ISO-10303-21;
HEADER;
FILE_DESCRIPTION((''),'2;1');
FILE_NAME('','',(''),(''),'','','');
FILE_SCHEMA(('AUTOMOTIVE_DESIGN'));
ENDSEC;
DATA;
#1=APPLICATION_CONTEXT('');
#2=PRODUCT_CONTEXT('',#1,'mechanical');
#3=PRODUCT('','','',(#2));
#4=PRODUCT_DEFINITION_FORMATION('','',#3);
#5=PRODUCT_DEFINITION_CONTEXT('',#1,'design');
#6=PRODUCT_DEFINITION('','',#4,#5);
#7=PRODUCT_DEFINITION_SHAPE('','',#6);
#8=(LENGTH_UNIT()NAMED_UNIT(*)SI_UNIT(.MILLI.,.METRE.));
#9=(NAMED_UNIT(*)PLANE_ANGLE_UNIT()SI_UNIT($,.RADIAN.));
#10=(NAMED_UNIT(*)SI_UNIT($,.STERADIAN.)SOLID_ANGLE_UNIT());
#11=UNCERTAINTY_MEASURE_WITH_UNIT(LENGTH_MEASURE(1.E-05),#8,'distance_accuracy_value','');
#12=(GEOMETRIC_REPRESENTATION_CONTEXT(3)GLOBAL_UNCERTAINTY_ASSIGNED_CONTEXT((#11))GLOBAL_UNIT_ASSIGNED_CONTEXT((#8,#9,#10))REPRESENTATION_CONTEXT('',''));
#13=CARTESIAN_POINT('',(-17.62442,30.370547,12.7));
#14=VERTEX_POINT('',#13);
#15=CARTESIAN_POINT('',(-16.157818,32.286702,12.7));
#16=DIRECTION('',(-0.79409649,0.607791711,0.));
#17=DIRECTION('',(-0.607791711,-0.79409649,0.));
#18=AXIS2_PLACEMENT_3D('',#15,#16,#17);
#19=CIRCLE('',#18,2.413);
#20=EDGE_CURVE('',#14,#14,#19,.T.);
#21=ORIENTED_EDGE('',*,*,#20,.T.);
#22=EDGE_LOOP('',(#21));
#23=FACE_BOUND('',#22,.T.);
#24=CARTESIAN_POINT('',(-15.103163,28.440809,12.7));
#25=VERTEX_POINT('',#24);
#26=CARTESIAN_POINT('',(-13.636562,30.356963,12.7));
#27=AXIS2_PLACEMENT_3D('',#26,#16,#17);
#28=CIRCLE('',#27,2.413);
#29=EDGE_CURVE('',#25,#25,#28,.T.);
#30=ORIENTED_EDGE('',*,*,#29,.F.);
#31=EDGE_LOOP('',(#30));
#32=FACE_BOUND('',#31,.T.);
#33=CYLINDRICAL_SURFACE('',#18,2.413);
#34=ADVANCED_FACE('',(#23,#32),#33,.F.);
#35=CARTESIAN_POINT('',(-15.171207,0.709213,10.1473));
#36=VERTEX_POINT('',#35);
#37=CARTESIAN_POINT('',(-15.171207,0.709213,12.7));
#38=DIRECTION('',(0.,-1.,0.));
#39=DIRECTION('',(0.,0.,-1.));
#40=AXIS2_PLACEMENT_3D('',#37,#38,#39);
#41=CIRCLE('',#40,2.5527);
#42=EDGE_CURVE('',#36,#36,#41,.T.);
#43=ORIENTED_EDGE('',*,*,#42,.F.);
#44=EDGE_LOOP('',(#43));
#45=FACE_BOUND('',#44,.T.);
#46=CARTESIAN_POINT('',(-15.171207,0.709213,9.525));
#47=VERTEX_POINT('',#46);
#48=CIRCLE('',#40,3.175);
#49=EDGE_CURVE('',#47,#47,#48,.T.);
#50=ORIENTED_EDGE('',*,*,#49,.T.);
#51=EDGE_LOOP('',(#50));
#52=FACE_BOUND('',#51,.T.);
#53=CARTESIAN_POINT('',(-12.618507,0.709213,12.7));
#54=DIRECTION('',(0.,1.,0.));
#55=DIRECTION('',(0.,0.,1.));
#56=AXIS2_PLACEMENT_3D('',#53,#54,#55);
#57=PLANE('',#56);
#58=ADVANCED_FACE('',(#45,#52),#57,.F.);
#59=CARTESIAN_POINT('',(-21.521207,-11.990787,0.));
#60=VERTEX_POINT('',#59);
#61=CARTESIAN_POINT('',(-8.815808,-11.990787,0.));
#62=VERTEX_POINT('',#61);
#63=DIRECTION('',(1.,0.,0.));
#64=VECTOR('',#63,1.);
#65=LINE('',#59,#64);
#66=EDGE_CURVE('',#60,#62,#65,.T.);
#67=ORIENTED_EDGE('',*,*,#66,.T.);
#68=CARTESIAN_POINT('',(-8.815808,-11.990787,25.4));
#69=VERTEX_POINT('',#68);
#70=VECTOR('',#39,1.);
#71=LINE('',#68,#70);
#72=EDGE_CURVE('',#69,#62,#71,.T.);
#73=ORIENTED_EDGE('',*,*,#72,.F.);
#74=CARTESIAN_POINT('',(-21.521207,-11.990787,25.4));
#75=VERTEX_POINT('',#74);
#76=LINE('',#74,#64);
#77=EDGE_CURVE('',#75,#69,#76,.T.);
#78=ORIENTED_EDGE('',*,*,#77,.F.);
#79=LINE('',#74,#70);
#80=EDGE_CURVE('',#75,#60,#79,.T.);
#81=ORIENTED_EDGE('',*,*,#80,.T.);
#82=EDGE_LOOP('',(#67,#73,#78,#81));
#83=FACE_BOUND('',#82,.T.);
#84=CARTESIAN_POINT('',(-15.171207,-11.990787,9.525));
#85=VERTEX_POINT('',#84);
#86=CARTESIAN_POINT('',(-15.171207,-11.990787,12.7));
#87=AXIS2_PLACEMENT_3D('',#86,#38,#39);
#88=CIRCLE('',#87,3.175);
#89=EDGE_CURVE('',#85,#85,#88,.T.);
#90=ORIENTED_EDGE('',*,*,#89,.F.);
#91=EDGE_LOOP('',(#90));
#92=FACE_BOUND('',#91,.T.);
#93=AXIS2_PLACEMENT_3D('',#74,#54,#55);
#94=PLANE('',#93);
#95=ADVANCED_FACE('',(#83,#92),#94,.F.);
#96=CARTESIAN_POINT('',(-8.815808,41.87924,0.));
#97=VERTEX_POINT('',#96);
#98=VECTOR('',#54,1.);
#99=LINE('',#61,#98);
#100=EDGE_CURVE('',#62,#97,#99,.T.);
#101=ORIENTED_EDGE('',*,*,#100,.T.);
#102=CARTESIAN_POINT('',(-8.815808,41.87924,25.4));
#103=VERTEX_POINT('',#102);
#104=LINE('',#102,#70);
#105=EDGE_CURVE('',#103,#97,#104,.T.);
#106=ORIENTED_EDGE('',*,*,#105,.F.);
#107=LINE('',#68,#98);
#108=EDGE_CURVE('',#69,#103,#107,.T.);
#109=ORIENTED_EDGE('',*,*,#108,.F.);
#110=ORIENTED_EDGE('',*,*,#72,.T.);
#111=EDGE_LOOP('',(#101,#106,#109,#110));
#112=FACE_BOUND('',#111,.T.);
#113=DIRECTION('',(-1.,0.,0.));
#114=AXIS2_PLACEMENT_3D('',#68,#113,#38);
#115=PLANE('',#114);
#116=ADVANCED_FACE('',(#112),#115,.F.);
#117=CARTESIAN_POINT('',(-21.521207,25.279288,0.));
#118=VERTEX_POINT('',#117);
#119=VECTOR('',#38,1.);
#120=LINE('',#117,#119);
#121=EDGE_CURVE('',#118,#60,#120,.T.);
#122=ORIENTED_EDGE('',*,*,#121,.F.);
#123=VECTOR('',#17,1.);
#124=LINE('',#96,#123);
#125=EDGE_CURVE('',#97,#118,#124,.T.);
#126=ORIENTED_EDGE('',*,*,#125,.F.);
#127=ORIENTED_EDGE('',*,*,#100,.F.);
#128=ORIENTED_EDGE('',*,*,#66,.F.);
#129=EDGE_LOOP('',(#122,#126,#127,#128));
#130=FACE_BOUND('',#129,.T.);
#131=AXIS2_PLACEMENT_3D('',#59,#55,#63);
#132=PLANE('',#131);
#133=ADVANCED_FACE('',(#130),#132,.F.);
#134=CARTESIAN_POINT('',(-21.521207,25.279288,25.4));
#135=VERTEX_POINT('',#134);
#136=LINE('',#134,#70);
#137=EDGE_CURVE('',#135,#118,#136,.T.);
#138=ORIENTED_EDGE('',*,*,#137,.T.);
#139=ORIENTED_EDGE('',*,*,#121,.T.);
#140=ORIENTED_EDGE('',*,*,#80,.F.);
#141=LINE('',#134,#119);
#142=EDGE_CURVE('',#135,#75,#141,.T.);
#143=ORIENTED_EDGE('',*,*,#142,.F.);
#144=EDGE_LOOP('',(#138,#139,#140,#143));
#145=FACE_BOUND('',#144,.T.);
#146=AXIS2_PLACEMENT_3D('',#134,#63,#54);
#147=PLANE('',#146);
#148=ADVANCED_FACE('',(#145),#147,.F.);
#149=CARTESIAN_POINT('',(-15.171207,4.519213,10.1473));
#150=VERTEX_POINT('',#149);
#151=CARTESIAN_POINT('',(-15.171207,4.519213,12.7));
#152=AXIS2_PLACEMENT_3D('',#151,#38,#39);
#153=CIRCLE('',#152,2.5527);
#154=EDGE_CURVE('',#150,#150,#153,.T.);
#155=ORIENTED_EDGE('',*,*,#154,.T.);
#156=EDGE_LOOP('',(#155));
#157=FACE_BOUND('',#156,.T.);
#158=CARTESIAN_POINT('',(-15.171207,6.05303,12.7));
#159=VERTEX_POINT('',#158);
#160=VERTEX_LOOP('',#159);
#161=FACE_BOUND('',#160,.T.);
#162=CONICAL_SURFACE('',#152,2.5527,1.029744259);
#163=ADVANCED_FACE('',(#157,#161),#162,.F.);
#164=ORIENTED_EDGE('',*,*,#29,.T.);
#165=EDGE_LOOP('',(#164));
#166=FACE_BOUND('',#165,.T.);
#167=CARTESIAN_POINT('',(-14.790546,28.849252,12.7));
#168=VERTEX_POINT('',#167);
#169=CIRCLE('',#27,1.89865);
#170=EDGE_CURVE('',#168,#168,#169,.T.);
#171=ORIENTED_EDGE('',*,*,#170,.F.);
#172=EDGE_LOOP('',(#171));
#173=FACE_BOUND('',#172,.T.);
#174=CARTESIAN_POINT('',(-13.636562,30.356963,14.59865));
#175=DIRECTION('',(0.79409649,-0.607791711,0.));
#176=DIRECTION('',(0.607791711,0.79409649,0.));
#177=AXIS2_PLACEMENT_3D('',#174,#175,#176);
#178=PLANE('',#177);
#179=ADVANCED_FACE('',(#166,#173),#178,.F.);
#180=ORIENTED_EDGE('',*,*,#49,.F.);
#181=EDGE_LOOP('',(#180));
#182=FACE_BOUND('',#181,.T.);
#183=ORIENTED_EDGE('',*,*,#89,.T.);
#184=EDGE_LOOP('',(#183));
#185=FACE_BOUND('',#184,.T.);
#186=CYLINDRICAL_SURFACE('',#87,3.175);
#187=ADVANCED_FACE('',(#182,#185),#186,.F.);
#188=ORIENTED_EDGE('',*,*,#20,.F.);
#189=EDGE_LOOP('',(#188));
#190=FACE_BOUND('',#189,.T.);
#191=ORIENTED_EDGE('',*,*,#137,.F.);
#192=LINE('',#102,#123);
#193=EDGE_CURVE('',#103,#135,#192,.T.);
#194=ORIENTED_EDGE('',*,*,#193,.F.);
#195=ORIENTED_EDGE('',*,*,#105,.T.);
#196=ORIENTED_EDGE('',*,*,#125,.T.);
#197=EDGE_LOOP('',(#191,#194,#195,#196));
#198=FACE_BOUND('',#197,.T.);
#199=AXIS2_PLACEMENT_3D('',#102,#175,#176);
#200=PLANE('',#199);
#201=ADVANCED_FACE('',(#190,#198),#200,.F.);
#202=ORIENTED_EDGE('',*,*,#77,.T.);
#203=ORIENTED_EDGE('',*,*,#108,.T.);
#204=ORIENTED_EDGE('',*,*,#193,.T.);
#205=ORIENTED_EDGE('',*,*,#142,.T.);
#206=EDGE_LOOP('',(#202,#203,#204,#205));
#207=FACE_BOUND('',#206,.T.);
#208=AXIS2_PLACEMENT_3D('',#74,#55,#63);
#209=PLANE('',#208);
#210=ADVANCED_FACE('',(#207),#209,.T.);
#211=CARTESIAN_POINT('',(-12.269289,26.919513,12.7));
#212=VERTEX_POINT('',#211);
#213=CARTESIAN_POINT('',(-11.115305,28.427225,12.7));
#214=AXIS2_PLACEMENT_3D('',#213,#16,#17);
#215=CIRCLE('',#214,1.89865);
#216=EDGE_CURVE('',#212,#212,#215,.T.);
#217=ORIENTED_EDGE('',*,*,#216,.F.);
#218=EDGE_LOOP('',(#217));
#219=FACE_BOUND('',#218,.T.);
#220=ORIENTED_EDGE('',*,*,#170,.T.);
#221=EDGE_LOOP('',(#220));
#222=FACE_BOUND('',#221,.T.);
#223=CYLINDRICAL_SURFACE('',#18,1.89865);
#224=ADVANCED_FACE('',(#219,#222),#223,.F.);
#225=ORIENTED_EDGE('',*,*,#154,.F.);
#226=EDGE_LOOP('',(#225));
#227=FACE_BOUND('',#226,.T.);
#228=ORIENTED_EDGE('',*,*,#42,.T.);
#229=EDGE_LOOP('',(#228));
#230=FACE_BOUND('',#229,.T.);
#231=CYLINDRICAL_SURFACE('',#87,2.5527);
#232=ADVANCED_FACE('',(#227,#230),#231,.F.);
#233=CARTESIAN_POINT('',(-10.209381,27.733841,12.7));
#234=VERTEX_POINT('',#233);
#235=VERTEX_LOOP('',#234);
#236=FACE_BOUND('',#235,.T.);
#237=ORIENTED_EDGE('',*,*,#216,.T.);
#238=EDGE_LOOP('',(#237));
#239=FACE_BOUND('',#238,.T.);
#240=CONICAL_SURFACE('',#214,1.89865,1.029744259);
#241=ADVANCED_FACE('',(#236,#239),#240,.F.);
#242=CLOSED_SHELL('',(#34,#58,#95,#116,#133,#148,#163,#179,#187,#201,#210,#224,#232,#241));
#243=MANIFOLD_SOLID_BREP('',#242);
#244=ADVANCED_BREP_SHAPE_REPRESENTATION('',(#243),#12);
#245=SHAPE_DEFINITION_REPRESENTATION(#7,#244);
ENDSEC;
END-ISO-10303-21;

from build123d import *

# Parameters (mm, degrees)
EXTRUDE1_DEPTH                    = 25.4
F_1_4_20_TAPPED_HOLE3_D           = 5.1054
F_1_4_20_TAPPED_HOLE3_DEPTH       = 16.51
F_1_4_20_TAPPED_HOLE3_CBORE_D     = 6.35
F_1_4_20_TAPPED_HOLE3_CBORE_DEPTH = 12.7
F_1_4_20_TAPPED_HOLE3_TIP         = 1.533816902
F_10_24_TAPPED_HOLE1_D            = 3.7973
F_10_24_TAPPED_HOLE1_DEPTH        = 6.35
F_10_24_TAPPED_HOLE1_CBORE_D      = 4.826
F_10_24_TAPPED_HOLE1_CBORE_DEPTH  = 3.175
F_10_24_TAPPED_HOLE1_TIP          = 1.140824014


with BuildPart() as part:
    # Sketch1 → Extrude1 (new body)
    with BuildSketch(Plane.XY):
        Polygon((-8.815807595, 41.879239751), (-21.52120708, 25.279287896), (-21.52120708, -11.990787033), (-8.815807595, -11.990787033), align=None)
    extrude(amount=EXTRUDE1_DEPTH)

    # 1/4-20 Tapped Hole3
    with Locations(Plane(origin=(6.946606398, -11.990787033, 18.061260674), x_dir=(-1, 0, 0), z_dir=(0, -1, 0))):
        with Locations((22.117813477, 5.361260674)):
            CounterBoreHole(F_1_4_20_TAPPED_HOLE3_D / 2, F_1_4_20_TAPPED_HOLE3_CBORE_D / 2, F_1_4_20_TAPPED_HOLE3_CBORE_DEPTH, depth=F_1_4_20_TAPPED_HOLE3_DEPTH)
            with Locations((0, 0, -(F_1_4_20_TAPPED_HOLE3_DEPTH + F_1_4_20_TAPPED_HOLE3_TIP / 2))):  # 118° drill point
                Cone(0, F_1_4_20_TAPPED_HOLE3_D / 2, F_1_4_20_TAPPED_HOLE3_TIP, mode=Mode.SUBTRACT)

    # #10-24 Tapped Hole1
    with Locations(Plane(origin=(13.322416251, 70.803434574, 18.061260674), x_dir=(0.6077917109686657, 0.794096490407672, 0), z_dir=(-0.794096490407672, 0.6077917109686657, 0))):
        with Locations((-48.503844205, 5.361260674)):
            CounterBoreHole(F_10_24_TAPPED_HOLE1_D / 2, F_10_24_TAPPED_HOLE1_CBORE_D / 2, F_10_24_TAPPED_HOLE1_CBORE_DEPTH, depth=F_10_24_TAPPED_HOLE1_DEPTH)
            with Locations((0, 0, -(F_10_24_TAPPED_HOLE1_DEPTH + F_10_24_TAPPED_HOLE1_TIP / 2))):  # 118° drill point
                Cone(0, F_10_24_TAPPED_HOLE1_D / 2, F_10_24_TAPPED_HOLE1_TIP, mode=Mode.SUBTRACT)


solid = part.part
